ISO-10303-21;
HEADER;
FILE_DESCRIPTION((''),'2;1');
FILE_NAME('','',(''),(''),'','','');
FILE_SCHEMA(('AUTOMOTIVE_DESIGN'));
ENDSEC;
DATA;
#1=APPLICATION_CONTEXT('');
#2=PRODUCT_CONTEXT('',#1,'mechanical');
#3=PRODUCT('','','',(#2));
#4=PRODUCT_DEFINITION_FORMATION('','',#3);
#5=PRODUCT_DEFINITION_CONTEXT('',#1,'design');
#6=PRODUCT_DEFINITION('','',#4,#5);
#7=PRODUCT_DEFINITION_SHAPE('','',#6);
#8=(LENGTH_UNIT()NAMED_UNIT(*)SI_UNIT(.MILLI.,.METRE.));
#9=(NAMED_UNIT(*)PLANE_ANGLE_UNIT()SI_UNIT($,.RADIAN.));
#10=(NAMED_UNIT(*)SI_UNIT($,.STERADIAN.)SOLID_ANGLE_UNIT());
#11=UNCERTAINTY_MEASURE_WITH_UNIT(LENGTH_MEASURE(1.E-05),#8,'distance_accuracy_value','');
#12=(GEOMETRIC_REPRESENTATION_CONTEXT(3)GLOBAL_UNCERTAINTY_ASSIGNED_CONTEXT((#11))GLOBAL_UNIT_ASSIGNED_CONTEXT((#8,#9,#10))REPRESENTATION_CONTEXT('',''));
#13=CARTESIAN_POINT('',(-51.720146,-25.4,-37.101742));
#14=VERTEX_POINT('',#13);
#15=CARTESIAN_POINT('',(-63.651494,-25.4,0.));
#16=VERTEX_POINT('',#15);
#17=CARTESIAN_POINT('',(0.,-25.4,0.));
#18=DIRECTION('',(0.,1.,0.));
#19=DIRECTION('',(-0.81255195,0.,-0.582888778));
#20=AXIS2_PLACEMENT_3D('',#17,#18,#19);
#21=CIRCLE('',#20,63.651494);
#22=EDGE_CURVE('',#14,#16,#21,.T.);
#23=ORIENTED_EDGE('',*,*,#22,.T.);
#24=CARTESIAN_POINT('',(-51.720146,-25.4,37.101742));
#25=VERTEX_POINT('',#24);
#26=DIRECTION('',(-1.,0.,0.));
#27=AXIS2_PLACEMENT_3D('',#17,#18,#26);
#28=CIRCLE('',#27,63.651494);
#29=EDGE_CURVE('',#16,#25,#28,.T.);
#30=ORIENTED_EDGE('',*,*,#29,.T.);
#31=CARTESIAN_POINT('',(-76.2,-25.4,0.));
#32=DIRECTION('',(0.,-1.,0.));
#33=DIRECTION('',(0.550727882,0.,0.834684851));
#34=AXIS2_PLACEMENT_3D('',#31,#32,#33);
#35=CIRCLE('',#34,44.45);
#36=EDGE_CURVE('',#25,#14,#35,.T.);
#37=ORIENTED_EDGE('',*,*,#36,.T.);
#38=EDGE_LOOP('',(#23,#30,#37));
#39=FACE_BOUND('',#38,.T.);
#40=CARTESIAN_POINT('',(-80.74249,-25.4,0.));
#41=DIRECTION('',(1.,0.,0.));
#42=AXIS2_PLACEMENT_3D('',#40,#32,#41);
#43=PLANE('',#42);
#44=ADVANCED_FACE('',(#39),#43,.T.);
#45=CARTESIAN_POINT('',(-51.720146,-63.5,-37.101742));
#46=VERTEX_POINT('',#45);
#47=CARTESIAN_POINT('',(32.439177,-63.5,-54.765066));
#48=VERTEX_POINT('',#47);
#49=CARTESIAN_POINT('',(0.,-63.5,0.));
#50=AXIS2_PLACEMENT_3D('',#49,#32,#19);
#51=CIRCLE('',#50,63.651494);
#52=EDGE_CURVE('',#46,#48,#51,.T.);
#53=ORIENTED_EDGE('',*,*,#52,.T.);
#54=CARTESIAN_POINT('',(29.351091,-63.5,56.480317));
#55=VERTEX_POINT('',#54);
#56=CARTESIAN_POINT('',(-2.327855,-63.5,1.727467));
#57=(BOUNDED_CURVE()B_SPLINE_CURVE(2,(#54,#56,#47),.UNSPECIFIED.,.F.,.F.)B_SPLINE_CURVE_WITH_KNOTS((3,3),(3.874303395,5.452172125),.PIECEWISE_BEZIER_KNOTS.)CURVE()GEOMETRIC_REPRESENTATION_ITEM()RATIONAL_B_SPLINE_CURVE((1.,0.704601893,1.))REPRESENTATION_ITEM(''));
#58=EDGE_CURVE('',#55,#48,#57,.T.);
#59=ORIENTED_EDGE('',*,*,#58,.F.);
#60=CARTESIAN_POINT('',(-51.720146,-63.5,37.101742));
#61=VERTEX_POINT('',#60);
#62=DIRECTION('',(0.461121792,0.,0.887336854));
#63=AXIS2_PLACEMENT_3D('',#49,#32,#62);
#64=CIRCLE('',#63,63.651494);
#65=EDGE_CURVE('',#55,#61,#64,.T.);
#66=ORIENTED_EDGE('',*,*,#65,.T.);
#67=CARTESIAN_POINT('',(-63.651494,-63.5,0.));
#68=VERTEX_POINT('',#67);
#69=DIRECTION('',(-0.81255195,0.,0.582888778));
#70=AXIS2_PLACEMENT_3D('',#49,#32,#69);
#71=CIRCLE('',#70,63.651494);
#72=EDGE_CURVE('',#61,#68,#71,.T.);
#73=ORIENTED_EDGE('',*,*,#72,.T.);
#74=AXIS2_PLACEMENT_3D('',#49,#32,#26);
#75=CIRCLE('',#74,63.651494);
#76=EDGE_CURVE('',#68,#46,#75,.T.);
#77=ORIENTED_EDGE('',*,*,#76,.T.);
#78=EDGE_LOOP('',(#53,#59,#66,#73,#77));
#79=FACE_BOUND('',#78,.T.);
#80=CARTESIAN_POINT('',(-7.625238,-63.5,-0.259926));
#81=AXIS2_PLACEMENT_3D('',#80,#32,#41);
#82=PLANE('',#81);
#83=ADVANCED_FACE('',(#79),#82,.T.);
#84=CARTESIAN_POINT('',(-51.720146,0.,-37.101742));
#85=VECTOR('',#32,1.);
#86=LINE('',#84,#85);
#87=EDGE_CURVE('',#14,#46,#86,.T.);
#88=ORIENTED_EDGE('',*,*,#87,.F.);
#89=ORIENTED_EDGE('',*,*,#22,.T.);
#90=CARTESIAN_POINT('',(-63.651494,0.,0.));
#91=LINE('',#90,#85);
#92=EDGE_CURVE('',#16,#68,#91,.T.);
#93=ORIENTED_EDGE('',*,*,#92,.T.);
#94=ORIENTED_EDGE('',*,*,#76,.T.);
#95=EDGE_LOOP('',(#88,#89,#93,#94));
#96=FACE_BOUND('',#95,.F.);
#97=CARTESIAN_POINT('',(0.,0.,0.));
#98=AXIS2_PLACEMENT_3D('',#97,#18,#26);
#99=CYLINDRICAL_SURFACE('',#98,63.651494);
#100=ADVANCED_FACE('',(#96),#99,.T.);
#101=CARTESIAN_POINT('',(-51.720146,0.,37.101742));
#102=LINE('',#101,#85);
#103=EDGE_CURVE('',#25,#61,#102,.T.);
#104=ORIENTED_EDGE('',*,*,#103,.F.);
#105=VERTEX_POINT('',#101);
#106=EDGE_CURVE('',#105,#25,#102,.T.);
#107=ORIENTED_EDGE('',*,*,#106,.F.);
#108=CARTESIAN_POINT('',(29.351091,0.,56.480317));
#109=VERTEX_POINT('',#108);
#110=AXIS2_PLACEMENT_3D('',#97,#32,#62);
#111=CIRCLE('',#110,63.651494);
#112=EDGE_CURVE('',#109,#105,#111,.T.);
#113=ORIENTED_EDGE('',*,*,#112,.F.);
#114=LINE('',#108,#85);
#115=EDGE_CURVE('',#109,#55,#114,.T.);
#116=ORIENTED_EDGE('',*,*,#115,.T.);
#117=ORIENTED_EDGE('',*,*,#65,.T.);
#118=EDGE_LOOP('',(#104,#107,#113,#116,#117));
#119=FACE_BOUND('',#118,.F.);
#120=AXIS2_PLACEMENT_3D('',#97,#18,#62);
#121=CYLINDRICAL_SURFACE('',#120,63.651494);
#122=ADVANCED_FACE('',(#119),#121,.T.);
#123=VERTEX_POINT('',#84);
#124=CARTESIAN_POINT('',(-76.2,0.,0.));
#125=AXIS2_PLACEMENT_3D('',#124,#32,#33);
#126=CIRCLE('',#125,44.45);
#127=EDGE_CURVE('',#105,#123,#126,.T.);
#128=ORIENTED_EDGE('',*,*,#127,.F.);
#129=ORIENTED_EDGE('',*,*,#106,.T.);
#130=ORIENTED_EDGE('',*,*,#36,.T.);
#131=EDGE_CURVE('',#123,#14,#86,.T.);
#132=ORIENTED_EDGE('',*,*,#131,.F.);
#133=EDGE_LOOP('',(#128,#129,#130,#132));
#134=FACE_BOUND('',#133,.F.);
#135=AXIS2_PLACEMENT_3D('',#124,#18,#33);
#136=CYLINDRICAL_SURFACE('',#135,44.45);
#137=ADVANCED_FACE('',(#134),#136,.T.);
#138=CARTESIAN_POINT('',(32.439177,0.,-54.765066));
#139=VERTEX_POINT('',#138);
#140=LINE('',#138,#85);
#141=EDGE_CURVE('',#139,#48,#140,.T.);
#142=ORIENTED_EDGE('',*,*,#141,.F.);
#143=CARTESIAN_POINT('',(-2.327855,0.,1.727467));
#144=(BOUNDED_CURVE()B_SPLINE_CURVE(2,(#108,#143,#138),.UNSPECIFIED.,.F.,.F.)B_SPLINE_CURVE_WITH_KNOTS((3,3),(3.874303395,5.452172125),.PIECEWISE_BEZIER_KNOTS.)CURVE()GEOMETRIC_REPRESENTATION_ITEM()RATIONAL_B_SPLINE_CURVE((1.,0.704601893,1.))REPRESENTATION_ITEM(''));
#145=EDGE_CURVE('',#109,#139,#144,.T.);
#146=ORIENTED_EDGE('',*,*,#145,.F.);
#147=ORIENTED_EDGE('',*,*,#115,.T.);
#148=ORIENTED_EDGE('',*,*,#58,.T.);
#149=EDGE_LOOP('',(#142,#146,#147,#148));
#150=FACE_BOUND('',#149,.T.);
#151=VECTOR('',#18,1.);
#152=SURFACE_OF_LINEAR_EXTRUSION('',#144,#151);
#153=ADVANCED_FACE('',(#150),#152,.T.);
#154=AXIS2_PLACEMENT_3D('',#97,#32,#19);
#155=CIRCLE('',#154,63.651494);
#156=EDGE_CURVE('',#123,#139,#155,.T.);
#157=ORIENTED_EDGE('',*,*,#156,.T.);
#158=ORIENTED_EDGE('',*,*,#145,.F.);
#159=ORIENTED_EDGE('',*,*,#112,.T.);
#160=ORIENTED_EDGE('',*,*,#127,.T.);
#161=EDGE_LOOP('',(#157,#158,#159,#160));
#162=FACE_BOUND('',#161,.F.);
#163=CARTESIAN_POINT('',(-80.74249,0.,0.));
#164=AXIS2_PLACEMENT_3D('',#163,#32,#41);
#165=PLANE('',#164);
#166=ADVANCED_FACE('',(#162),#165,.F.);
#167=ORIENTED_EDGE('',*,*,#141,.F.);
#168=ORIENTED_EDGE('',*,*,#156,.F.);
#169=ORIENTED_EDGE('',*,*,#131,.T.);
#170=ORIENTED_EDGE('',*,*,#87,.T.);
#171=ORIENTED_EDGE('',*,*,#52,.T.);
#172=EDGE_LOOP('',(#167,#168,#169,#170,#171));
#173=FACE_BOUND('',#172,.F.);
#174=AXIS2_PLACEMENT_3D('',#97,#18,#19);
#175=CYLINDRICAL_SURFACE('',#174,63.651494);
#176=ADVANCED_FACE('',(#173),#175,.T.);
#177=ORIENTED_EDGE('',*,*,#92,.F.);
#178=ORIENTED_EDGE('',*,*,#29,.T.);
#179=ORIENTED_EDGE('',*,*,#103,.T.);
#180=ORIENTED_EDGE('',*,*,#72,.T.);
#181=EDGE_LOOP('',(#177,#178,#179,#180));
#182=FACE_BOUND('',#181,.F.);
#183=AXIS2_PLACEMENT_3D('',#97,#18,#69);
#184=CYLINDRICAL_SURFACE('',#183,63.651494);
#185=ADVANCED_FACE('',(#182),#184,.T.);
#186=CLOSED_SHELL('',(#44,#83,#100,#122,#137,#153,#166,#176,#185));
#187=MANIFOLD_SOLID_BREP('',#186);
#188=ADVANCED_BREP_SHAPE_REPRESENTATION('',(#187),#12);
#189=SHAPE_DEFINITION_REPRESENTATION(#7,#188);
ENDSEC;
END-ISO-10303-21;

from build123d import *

# Parameters (mm, degrees)
F1_DEPTH = 63.5
F2_DEPTH = 25.4


with BuildPart() as f1:
    # F0 (on Front) → F1 (new body)
    with BuildSketch(Plane.XZ):
        with BuildLine():
            ThreePointArc((-51.7201456431, 37.1017416123), (-37.0596625835, 21.0674271547), (-31.75, 0))
            ThreePointArc((-31.75, 0), (-37.0596625835, -21.0674271547), (-51.7201456431, -37.1017416123))
            ThreePointArc((-51.7201456431, -37.1017416123), (-13.0742953494, -62.2942653631), (32.4391769467, -54.7650663748))
            add(Edge.make_bspline(
                [(29.3510910097, 56.4803165054), (-2.3278547704, 1.7274673746), (32.4391769467, -54.7650663748)],
                knots=[3.874303395, 3.874303395, 3.874303395, 5.452172125, 5.452172125, 5.452172125], degree=2, weights=[1, 0.7046018932, 1]))
            ThreePointArc((29.3510910097, 56.4803165054), (-14.7978357377, 61.9074854399), (-51.7201456431, 37.1017416123))
        make_face()
        with BuildLine():
            Line((-63.5, 0), (-31.75, 0))
            ThreePointArc((-31.75, 0), (-37.0596625835, 21.0674271547), (-51.7201456431, 37.1017416123))
            ThreePointArc((-51.7201456431, 37.1017416123), (-60.5952854568, 19.4865101141), (-63.6514940596, 0))
            Line((-63.6514940596, 0), (-63.5, 0))
        make_face()
        with BuildLine():
            ThreePointArc((-51.7201456431, -37.1017416123), (-37.0596625835, -21.0674271547), (-31.75, 0))
            Line((-31.75, 0), (-63.5, 0))
            Line((-63.5, 0), (-63.6514940596, 0))
            ThreePointArc((-63.6514940596, 0), (-60.5952854568, -19.4865101141), (-51.7201456431, -37.1017416123))
        make_face()
    extrude(amount=F1_DEPTH)

    # F0 (on Front) → F2 (join)
    with BuildSketch(Plane.XZ):
        with BuildLine():
            ThreePointArc((-63.6514940596, 0), (-60.5952854568, 19.4865101141), (-51.7201456431, 37.1017416123))
            ThreePointArc((-51.7201456431, 37.1017416123), (-120.65, 0), (-51.7201456431, -37.1017416123))
            ThreePointArc((-51.7201456431, -37.1017416123), (-60.5952854568, -19.4865101141), (-63.6514940596, 0))
        make_face()
    extrude(amount=F2_DEPTH)


solid = f1.part
